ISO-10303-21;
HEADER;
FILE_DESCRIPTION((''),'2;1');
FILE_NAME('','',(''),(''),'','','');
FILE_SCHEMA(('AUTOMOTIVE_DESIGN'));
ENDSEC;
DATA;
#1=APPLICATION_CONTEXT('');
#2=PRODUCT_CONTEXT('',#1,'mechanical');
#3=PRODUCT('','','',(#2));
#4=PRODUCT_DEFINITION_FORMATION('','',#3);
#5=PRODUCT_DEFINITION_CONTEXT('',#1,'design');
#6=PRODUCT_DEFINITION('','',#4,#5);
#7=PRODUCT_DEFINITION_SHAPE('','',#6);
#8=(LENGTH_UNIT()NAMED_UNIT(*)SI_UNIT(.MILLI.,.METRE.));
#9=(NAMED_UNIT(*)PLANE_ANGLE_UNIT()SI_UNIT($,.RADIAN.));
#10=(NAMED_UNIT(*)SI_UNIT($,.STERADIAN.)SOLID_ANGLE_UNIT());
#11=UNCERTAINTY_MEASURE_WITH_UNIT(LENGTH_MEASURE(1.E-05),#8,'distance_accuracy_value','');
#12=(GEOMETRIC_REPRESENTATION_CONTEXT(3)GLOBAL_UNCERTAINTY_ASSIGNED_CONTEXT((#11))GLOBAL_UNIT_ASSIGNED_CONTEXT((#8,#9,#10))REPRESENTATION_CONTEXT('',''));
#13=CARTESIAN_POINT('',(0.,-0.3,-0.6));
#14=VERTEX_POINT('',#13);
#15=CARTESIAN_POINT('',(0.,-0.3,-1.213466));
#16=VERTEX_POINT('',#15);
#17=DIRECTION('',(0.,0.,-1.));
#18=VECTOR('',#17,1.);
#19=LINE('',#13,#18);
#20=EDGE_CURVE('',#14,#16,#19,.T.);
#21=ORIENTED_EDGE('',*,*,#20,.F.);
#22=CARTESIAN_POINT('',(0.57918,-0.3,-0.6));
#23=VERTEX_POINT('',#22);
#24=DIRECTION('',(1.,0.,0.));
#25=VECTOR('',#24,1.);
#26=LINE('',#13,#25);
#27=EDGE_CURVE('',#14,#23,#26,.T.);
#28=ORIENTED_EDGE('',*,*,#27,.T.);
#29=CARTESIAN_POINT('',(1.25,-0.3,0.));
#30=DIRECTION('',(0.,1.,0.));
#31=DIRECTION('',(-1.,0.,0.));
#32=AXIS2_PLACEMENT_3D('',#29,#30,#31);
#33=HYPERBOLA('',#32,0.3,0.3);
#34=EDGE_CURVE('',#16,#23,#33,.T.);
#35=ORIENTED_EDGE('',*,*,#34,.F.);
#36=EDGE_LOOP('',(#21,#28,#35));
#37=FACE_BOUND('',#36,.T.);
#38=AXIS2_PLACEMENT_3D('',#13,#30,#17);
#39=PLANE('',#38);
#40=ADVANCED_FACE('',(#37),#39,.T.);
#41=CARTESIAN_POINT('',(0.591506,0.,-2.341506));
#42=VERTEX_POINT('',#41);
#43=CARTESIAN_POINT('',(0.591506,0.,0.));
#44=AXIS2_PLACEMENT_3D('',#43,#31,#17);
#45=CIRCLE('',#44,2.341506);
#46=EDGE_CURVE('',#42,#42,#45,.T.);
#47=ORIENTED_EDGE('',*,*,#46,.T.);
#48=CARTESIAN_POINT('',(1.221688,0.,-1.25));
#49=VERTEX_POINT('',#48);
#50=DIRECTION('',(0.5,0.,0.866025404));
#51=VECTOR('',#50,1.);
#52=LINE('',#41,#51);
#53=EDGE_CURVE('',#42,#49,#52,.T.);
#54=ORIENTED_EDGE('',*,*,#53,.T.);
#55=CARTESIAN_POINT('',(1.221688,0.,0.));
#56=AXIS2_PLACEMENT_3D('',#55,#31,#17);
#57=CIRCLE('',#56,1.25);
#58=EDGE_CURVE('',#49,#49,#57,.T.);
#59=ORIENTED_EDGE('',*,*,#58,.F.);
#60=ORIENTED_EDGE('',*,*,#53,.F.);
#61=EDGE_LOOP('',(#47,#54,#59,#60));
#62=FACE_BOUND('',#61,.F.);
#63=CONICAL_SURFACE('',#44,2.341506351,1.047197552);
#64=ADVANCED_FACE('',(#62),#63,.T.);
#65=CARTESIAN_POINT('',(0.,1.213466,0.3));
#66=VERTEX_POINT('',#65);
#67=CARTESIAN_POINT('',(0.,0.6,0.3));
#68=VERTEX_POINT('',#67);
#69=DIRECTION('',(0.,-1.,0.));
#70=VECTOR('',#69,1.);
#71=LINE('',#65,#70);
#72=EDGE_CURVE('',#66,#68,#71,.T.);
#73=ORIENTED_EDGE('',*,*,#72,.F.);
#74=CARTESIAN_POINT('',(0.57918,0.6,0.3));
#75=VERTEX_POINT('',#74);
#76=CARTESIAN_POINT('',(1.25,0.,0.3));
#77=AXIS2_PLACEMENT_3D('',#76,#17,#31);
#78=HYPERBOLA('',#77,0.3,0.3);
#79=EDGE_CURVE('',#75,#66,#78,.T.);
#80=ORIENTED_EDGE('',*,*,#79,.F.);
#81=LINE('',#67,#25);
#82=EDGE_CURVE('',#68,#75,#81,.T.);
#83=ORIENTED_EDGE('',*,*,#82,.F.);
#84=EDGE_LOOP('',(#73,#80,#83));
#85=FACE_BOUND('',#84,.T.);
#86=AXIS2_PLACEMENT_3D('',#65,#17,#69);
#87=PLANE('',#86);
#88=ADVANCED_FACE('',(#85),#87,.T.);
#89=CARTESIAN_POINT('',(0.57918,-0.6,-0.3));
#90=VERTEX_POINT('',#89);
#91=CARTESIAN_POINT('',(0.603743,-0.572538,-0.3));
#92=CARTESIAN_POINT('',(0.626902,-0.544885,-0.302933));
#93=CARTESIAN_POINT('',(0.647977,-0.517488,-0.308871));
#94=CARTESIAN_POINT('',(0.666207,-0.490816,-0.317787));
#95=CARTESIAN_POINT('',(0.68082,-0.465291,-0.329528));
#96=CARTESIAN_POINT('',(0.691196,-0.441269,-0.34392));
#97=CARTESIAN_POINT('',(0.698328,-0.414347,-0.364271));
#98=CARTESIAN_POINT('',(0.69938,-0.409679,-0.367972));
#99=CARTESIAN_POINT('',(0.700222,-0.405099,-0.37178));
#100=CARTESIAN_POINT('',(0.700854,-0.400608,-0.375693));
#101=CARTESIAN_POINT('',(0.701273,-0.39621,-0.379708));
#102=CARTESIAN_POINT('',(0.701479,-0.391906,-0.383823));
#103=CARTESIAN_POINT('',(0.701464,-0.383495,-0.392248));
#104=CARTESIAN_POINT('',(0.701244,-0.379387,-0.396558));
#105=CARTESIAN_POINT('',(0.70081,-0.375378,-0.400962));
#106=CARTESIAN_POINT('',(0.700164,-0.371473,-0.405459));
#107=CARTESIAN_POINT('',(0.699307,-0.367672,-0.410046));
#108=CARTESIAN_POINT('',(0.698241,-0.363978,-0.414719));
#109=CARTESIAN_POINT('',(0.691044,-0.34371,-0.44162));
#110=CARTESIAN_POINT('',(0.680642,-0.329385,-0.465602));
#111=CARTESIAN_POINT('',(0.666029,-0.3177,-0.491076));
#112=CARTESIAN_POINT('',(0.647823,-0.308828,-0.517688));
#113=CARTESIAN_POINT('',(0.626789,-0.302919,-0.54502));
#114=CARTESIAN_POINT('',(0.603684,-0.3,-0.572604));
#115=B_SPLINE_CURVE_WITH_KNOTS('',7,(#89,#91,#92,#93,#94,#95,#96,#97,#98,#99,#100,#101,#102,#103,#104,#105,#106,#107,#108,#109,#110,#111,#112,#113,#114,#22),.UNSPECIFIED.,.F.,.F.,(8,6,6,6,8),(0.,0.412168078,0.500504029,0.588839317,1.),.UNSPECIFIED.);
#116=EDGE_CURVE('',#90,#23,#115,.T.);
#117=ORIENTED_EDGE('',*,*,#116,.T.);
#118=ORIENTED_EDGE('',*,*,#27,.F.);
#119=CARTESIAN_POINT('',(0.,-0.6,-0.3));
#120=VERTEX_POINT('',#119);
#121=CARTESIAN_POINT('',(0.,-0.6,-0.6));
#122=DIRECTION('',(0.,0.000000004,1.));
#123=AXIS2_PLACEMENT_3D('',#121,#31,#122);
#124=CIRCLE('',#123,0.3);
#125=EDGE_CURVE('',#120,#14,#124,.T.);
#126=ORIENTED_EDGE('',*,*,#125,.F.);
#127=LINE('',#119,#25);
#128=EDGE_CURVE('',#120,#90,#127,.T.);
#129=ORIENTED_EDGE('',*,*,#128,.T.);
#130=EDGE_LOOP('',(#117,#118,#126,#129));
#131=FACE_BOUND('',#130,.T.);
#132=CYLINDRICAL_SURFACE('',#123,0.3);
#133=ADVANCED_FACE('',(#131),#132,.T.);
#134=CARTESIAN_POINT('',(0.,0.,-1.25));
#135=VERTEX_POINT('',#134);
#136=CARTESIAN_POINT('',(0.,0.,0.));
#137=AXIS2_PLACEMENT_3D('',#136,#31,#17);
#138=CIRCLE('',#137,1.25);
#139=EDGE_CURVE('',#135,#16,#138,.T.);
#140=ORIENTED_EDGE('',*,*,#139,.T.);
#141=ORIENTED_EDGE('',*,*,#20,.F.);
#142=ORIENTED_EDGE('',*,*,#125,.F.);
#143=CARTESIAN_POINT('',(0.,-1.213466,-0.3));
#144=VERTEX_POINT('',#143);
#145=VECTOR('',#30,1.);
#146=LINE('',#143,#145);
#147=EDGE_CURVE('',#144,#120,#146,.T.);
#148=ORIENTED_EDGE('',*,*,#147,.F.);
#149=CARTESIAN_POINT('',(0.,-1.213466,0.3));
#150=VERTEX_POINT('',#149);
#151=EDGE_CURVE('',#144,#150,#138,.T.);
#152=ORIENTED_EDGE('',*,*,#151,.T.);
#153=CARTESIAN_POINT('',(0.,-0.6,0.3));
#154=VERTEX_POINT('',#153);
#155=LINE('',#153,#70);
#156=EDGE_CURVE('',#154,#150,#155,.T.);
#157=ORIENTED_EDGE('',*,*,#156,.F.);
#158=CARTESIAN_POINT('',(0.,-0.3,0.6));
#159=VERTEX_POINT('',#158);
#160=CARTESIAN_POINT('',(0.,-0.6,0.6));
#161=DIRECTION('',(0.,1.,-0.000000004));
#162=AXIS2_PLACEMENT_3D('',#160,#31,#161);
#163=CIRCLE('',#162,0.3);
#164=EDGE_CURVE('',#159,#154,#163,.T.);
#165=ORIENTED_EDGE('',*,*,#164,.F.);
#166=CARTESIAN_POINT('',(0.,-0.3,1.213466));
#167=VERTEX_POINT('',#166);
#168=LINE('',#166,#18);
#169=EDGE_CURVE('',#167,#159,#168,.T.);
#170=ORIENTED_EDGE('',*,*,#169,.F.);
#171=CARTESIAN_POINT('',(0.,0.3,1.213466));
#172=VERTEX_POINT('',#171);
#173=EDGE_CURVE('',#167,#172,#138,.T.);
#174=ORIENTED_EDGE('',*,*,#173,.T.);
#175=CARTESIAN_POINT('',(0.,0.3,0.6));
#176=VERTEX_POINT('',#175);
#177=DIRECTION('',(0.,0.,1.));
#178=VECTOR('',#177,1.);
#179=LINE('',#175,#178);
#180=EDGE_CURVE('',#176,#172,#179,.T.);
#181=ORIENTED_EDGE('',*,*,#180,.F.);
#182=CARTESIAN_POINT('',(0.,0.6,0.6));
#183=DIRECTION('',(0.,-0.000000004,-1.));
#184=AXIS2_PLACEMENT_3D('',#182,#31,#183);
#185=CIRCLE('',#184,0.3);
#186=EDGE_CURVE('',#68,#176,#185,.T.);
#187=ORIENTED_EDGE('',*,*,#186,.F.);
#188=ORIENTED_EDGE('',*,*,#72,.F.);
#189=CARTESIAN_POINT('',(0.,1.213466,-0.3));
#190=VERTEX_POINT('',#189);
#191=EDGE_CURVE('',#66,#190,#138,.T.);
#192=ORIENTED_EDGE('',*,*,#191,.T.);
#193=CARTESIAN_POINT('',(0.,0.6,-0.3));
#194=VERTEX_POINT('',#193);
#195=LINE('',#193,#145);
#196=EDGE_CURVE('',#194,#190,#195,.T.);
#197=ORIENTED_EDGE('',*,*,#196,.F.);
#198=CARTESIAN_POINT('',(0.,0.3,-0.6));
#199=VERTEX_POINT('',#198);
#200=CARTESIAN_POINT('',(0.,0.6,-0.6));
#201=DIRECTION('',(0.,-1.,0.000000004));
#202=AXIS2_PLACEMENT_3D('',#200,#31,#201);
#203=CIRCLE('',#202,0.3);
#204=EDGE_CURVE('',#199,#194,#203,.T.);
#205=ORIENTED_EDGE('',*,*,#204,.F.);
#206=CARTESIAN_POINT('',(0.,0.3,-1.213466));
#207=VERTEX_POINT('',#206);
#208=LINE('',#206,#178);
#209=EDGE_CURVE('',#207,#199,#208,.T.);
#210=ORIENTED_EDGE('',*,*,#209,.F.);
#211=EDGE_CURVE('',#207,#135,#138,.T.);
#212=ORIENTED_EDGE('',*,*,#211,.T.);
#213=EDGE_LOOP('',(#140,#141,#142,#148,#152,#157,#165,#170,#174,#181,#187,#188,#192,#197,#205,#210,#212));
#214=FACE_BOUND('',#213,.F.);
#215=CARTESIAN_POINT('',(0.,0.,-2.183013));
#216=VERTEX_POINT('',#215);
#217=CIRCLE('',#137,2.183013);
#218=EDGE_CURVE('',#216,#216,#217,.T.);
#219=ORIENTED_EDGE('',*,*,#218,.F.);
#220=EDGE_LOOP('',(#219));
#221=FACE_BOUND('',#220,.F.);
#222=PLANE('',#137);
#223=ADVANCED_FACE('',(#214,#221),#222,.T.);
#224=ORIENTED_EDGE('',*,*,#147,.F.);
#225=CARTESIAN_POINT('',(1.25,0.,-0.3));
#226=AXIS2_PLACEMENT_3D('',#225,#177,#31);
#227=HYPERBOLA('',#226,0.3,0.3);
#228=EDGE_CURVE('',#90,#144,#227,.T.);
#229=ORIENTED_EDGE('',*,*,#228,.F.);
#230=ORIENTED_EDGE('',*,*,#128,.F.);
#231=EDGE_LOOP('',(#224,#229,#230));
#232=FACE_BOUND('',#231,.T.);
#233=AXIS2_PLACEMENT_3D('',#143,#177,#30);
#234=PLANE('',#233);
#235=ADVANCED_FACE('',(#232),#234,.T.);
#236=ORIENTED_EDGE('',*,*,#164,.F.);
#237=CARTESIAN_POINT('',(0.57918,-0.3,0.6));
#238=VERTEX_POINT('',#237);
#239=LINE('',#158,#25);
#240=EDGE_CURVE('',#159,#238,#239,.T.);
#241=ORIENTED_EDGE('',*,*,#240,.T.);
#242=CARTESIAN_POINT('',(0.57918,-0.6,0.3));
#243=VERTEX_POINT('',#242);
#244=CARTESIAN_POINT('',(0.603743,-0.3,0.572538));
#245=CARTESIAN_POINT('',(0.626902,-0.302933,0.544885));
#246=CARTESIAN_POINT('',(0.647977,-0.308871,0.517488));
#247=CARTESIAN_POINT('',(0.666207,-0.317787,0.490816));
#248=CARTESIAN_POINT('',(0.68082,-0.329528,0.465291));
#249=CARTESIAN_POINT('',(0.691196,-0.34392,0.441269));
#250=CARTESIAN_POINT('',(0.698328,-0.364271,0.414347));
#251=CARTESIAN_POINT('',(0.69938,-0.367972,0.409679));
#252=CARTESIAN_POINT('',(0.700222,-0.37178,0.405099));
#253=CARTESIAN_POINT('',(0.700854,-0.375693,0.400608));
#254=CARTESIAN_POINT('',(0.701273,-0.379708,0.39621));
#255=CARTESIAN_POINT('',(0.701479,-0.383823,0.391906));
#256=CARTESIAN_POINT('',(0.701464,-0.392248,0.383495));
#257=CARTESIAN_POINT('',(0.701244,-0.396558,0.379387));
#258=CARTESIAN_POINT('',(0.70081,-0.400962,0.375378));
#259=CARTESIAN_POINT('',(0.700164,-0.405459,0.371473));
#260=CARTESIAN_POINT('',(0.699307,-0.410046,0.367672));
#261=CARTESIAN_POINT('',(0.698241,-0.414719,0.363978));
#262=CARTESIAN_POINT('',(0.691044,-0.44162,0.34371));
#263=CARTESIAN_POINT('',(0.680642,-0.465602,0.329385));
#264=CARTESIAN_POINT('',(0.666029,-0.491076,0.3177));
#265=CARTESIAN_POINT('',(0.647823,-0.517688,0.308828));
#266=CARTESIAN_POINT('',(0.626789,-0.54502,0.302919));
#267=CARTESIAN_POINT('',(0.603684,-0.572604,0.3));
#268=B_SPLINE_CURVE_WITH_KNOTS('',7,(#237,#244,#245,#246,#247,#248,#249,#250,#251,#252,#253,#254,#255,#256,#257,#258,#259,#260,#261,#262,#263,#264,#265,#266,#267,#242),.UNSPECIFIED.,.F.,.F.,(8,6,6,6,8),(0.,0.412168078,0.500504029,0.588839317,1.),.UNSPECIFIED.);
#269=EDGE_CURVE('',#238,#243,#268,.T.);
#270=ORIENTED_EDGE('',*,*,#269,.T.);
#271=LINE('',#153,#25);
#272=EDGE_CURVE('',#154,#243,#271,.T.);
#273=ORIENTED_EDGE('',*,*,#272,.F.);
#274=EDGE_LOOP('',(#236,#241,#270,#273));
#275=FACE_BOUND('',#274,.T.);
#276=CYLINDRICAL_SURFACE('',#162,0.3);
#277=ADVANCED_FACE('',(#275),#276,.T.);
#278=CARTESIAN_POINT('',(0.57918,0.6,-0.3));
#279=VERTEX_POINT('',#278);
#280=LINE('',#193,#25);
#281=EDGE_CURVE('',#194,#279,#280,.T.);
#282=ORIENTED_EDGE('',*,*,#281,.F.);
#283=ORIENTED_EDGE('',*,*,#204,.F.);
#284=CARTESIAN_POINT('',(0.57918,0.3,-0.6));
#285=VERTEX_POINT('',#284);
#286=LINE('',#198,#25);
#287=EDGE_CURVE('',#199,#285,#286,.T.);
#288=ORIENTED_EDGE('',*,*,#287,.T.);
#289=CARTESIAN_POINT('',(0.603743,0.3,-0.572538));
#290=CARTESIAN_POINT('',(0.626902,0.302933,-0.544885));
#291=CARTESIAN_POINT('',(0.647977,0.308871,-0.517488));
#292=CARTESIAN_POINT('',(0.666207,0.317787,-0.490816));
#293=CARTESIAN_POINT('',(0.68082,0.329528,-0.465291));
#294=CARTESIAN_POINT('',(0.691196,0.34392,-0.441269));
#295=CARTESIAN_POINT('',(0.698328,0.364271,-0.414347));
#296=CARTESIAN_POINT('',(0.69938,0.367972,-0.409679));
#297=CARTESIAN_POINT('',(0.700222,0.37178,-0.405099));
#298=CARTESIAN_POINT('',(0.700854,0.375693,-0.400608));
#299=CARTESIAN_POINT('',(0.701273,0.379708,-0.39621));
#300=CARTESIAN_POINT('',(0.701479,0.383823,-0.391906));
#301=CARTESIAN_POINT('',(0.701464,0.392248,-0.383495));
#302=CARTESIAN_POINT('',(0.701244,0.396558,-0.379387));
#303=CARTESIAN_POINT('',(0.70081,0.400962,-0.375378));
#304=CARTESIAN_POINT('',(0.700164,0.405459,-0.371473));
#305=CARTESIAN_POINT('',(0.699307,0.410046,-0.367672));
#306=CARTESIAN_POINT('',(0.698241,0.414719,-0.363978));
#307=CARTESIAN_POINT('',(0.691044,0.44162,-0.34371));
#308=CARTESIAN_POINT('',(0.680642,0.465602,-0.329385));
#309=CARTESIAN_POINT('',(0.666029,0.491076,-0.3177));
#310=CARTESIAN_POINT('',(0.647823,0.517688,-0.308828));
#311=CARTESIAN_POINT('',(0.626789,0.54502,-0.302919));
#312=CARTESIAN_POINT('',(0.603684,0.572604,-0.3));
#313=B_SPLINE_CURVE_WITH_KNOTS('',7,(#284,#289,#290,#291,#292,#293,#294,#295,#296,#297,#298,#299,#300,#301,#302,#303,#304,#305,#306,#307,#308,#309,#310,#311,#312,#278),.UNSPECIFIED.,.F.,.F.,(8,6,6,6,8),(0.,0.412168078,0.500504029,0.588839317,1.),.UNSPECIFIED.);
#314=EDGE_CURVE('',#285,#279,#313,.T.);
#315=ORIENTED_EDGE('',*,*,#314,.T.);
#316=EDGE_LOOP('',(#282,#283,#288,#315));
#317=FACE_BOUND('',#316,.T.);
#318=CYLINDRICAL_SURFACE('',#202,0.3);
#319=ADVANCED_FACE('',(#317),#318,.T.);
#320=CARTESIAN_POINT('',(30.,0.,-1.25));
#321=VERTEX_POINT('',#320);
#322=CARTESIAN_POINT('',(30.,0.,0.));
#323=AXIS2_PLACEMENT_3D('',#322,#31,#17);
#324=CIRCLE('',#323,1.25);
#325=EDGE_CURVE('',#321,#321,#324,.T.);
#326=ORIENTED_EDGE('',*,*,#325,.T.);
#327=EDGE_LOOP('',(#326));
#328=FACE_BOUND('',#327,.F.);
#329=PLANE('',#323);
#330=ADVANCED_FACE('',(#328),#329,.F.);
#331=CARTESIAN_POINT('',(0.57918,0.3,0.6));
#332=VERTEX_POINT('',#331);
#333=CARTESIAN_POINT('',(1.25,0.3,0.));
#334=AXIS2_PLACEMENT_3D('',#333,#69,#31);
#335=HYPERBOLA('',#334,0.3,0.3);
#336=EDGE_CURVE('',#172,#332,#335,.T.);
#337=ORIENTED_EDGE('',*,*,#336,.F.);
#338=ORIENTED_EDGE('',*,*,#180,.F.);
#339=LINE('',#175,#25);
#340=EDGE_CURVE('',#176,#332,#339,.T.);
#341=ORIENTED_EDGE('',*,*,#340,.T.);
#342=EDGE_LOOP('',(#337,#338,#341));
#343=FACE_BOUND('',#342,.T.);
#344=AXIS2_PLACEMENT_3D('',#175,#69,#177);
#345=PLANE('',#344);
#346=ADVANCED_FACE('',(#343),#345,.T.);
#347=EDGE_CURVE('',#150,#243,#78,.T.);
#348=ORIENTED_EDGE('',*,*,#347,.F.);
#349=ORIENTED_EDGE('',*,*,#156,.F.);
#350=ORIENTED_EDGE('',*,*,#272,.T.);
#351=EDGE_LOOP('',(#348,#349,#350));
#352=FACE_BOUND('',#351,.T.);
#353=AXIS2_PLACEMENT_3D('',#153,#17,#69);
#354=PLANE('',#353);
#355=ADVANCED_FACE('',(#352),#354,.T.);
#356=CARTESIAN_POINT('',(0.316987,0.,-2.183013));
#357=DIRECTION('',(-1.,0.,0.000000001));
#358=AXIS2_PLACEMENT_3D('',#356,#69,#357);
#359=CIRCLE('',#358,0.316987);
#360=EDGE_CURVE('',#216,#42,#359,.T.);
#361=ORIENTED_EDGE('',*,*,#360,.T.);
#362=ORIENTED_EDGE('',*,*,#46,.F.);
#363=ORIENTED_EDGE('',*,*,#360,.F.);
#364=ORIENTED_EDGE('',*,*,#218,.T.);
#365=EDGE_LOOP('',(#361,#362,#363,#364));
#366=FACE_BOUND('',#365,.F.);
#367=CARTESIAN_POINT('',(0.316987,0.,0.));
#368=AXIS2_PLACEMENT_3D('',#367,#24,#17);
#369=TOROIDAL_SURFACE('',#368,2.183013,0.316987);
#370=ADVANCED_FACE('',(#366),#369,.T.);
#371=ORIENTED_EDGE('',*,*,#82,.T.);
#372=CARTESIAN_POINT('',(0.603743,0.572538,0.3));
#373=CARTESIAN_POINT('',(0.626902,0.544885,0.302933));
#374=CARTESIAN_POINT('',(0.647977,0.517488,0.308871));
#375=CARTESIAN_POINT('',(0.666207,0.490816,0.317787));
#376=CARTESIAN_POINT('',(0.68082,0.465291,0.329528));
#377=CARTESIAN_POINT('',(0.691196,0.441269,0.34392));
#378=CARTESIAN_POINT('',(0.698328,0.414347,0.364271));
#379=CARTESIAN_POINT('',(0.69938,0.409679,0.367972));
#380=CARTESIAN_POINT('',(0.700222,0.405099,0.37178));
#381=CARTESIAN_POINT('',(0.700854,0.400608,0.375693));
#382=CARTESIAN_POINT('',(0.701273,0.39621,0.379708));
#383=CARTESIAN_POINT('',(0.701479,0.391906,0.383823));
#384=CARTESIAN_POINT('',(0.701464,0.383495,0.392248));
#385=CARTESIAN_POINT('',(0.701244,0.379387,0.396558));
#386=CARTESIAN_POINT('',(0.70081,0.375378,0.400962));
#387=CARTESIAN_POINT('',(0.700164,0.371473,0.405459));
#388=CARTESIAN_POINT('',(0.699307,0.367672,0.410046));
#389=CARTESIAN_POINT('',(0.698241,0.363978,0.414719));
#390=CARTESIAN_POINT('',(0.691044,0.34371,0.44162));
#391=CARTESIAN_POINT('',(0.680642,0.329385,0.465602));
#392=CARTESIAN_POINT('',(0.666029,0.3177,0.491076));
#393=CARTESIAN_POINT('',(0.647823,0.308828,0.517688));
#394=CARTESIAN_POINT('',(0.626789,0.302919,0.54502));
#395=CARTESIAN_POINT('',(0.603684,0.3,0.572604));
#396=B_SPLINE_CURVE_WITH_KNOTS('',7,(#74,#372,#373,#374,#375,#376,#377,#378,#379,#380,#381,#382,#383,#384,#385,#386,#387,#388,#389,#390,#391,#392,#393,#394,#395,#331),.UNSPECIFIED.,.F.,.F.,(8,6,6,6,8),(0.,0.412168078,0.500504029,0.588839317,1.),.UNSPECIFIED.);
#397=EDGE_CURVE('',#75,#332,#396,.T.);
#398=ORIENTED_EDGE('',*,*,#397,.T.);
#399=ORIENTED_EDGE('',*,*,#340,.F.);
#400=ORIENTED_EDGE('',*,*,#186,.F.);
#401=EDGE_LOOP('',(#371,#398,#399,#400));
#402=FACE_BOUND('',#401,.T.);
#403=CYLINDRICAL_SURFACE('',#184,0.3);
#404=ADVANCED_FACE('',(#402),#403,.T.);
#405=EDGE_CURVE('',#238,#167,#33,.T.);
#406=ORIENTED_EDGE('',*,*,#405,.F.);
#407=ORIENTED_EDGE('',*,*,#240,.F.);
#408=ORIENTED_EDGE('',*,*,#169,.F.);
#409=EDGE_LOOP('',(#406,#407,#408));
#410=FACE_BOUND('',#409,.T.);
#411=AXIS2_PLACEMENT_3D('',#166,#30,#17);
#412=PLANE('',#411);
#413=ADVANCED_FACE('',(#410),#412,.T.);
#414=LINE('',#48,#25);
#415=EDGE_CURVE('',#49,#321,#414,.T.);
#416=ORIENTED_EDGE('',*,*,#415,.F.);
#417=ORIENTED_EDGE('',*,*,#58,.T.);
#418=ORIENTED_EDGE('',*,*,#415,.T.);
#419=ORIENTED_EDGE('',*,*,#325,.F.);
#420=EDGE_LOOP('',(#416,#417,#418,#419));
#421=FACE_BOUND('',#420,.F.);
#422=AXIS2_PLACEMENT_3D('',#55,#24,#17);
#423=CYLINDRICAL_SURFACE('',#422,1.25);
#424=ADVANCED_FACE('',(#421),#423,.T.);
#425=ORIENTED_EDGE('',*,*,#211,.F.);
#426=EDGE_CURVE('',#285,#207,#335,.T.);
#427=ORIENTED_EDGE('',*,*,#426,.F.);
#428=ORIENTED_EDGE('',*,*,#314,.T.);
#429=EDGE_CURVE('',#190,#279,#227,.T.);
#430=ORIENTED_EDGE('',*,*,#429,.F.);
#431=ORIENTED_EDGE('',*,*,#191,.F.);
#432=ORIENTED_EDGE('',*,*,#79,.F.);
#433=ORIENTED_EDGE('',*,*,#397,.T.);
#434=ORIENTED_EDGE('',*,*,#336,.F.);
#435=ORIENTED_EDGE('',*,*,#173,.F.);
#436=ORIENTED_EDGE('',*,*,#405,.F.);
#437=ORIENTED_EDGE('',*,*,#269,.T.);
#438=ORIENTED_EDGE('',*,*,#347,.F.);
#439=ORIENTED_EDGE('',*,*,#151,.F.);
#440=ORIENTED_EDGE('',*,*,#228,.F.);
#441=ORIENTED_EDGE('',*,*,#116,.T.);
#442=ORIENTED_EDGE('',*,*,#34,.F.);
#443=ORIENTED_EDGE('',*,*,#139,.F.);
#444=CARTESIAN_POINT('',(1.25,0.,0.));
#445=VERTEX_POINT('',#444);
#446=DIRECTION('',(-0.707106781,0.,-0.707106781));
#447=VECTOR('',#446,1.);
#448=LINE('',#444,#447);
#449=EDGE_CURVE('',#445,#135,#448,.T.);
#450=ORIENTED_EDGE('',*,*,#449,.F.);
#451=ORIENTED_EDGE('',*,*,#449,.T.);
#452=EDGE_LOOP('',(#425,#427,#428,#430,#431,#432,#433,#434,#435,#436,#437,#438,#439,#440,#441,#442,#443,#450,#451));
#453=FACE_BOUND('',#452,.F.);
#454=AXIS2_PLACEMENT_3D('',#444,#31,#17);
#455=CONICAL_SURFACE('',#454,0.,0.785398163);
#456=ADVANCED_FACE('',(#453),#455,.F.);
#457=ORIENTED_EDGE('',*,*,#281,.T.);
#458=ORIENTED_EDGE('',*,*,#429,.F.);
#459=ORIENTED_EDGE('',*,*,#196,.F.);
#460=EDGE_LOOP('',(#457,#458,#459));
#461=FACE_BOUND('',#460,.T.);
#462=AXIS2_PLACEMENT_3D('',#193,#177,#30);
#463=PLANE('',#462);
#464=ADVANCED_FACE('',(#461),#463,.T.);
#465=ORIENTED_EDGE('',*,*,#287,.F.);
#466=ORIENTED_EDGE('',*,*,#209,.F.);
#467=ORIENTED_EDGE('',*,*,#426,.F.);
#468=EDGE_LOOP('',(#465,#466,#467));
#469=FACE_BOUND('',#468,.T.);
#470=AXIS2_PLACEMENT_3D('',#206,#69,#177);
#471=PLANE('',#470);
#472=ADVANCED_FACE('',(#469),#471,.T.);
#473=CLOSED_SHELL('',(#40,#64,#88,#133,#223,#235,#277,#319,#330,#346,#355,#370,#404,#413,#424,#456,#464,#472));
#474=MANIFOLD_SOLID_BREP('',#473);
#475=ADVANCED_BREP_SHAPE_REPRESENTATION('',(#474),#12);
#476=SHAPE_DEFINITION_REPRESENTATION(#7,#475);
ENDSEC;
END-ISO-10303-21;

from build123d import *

# Parameters (mm, degrees)
RESSALTO_EXTRUS_O1_DEPTH = 1
PADR_OCIRCULAR1_COUNT    = 4


with BuildPart() as part:
    # Esboço1 → Revolução1 (revolve)
    with BuildSketch(Plane(origin=(0, 0, 0), x_dir=(1, 0, 0), z_dir=(0, 1, 0))):
        with BuildLine():
            Line((1.221687836, 1.25), (30, 1.25))
            Line((30, 1.25), (30, 0))
            Line((30, 0), (1.25, 0))
            Line((1.25, 0), (0, 1.25))
            Line((0, 1.25), (0, 2.183012702))
            ThreePointArc((0, 2.183012702), (0.234944948, 2.48919892), (0.591506351, 2.341506351))
            Line((0.591506351, 2.341506351), (1.221687836, 1.25))
        make_face()
    revolve(axis=Axis((0, 0, 0), (-1, 0, 0)))

    # Esboço2 → Ressalto-extrusão1 (add)
    with BuildSketch(Plane(origin=(0, 0, 0), x_dir=(0, 0, -1), z_dir=(1, 0, 0))):
        with BuildLine():
            Line((-0.3, 1.21346611), (-0.3, 0.6))
            ThreePointArc((-0.3, 0.6), (-0.387867966, 0.387867966), (-0.6, 0.3))
            Line((-0.6, 0.3), (-1.21346611, 0.3))
            ThreePointArc((-1.21346611, 0.3), (-0.924029762, 0.924029762), (-0.3, 1.21346611))
        make_face()
    ressalto_extrus_o1 = extrude(amount=RESSALTO_EXTRUS_O1_DEPTH)

    # PadrãoCircular1: Ressalto-extrusão1 ×4 about axis
    padr_ocircular1_axis = Axis((0, 0, 0), (1, 0, 0))
    for i in range(1, PADR_OCIRCULAR1_COUNT):
        add(ressalto_extrus_o1.rotate(padr_ocircular1_axis, i * 360 / PADR_OCIRCULAR1_COUNT))


solid = part.part
